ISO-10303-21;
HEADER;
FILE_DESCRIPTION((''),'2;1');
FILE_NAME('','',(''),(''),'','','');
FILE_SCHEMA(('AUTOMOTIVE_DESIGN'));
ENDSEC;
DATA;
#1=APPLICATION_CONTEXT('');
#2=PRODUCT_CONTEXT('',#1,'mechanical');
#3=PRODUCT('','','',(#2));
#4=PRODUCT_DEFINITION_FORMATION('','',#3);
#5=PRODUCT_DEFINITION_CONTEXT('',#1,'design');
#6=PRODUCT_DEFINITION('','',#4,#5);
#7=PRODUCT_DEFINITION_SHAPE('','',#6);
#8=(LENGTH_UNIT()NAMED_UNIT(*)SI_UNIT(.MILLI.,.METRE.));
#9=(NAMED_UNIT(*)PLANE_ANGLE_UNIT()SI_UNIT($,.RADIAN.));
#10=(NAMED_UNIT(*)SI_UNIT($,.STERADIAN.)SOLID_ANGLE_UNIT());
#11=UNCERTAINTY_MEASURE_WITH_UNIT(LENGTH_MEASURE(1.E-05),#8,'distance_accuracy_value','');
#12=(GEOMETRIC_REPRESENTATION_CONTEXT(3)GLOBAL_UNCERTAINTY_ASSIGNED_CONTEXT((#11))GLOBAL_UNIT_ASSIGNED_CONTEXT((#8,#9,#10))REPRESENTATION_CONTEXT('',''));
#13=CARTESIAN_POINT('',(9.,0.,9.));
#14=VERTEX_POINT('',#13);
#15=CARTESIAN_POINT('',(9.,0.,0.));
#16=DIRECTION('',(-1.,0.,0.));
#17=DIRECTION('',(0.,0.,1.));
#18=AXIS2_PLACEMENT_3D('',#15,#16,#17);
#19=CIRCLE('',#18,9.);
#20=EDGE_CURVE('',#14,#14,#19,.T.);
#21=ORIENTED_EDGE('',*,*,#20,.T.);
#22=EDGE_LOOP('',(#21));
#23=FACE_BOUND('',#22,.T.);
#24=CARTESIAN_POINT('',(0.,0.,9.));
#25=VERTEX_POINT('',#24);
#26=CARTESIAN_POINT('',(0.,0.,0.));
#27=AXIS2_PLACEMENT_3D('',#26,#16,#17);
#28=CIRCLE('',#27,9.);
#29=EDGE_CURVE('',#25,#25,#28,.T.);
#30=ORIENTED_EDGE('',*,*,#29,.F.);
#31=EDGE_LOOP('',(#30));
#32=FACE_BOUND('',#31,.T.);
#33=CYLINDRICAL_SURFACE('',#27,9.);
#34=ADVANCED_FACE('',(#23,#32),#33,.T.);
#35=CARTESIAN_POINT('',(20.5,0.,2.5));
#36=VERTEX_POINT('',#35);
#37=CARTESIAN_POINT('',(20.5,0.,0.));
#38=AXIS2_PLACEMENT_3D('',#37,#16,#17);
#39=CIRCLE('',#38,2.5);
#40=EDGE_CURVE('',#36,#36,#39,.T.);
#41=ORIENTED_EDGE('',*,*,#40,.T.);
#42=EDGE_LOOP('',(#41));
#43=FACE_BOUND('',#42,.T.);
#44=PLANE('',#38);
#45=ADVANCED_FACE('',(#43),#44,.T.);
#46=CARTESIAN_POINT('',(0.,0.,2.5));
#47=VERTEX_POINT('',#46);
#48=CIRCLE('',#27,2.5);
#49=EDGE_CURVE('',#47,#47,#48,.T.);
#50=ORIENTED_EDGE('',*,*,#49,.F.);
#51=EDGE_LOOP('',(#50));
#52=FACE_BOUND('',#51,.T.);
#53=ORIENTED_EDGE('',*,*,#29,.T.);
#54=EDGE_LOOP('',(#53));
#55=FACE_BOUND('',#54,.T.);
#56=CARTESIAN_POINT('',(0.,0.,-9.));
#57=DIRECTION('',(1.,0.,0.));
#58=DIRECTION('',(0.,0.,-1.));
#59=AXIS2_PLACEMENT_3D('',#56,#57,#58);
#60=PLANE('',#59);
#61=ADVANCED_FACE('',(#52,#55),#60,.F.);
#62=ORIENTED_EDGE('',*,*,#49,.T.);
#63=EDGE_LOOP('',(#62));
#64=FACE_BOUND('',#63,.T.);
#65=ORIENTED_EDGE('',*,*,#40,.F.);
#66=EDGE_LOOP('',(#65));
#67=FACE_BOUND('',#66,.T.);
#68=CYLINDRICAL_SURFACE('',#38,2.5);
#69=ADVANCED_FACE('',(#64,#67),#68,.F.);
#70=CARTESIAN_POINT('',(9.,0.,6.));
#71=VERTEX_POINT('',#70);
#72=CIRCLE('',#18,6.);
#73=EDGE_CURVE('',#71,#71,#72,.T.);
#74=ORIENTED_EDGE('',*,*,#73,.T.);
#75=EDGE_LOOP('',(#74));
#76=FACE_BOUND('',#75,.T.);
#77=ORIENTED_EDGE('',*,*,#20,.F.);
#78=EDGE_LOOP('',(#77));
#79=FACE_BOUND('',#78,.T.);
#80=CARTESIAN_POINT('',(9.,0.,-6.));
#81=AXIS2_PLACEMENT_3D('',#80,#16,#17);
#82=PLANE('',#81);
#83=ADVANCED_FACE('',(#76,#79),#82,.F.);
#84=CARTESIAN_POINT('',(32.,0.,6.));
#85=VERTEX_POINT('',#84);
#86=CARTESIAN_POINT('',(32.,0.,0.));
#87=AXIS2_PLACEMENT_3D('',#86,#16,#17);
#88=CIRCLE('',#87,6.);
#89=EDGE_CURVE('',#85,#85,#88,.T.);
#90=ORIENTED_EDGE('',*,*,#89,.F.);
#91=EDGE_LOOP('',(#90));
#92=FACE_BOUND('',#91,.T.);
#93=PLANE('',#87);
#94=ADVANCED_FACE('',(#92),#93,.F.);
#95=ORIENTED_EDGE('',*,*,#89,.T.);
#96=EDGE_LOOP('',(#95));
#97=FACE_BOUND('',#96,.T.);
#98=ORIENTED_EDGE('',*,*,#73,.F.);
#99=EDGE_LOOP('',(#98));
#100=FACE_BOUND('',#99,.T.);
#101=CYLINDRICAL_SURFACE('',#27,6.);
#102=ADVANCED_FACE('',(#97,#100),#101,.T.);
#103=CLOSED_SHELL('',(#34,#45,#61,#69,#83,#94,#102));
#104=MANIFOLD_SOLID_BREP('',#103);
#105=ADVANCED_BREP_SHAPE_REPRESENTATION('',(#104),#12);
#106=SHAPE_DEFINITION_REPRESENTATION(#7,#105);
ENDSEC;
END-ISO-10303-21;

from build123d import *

# Parameters (mm, degrees)
SKIZZE4_R                       = 2.5
SCHNITT_LINEAR_AUSTRAGEN1_DEPTH = 20.5


with BuildPart() as part:
    # Skizze3 → Rotation1 (revolve)
    with BuildSketch(Plane(origin=(0, 0, 0), x_dir=(1, 0, 0), z_dir=(0, 1, 0))):
        Polygon((0, 0), (32, 0), (32, 6), (9, 6), (9, 9), (0, 9), align=None)
    revolve(axis=Axis((0, 0, 0), (1, 0, 0)))

    # Skizze4 → Schnitt-Linear austragen1 (cut)
    with BuildSketch(Plane.ZY):
        Circle(SKIZZE4_R)
    extrude(amount=-SCHNITT_LINEAR_AUSTRAGEN1_DEPTH, mode=Mode.SUBTRACT)


solid = part.part
